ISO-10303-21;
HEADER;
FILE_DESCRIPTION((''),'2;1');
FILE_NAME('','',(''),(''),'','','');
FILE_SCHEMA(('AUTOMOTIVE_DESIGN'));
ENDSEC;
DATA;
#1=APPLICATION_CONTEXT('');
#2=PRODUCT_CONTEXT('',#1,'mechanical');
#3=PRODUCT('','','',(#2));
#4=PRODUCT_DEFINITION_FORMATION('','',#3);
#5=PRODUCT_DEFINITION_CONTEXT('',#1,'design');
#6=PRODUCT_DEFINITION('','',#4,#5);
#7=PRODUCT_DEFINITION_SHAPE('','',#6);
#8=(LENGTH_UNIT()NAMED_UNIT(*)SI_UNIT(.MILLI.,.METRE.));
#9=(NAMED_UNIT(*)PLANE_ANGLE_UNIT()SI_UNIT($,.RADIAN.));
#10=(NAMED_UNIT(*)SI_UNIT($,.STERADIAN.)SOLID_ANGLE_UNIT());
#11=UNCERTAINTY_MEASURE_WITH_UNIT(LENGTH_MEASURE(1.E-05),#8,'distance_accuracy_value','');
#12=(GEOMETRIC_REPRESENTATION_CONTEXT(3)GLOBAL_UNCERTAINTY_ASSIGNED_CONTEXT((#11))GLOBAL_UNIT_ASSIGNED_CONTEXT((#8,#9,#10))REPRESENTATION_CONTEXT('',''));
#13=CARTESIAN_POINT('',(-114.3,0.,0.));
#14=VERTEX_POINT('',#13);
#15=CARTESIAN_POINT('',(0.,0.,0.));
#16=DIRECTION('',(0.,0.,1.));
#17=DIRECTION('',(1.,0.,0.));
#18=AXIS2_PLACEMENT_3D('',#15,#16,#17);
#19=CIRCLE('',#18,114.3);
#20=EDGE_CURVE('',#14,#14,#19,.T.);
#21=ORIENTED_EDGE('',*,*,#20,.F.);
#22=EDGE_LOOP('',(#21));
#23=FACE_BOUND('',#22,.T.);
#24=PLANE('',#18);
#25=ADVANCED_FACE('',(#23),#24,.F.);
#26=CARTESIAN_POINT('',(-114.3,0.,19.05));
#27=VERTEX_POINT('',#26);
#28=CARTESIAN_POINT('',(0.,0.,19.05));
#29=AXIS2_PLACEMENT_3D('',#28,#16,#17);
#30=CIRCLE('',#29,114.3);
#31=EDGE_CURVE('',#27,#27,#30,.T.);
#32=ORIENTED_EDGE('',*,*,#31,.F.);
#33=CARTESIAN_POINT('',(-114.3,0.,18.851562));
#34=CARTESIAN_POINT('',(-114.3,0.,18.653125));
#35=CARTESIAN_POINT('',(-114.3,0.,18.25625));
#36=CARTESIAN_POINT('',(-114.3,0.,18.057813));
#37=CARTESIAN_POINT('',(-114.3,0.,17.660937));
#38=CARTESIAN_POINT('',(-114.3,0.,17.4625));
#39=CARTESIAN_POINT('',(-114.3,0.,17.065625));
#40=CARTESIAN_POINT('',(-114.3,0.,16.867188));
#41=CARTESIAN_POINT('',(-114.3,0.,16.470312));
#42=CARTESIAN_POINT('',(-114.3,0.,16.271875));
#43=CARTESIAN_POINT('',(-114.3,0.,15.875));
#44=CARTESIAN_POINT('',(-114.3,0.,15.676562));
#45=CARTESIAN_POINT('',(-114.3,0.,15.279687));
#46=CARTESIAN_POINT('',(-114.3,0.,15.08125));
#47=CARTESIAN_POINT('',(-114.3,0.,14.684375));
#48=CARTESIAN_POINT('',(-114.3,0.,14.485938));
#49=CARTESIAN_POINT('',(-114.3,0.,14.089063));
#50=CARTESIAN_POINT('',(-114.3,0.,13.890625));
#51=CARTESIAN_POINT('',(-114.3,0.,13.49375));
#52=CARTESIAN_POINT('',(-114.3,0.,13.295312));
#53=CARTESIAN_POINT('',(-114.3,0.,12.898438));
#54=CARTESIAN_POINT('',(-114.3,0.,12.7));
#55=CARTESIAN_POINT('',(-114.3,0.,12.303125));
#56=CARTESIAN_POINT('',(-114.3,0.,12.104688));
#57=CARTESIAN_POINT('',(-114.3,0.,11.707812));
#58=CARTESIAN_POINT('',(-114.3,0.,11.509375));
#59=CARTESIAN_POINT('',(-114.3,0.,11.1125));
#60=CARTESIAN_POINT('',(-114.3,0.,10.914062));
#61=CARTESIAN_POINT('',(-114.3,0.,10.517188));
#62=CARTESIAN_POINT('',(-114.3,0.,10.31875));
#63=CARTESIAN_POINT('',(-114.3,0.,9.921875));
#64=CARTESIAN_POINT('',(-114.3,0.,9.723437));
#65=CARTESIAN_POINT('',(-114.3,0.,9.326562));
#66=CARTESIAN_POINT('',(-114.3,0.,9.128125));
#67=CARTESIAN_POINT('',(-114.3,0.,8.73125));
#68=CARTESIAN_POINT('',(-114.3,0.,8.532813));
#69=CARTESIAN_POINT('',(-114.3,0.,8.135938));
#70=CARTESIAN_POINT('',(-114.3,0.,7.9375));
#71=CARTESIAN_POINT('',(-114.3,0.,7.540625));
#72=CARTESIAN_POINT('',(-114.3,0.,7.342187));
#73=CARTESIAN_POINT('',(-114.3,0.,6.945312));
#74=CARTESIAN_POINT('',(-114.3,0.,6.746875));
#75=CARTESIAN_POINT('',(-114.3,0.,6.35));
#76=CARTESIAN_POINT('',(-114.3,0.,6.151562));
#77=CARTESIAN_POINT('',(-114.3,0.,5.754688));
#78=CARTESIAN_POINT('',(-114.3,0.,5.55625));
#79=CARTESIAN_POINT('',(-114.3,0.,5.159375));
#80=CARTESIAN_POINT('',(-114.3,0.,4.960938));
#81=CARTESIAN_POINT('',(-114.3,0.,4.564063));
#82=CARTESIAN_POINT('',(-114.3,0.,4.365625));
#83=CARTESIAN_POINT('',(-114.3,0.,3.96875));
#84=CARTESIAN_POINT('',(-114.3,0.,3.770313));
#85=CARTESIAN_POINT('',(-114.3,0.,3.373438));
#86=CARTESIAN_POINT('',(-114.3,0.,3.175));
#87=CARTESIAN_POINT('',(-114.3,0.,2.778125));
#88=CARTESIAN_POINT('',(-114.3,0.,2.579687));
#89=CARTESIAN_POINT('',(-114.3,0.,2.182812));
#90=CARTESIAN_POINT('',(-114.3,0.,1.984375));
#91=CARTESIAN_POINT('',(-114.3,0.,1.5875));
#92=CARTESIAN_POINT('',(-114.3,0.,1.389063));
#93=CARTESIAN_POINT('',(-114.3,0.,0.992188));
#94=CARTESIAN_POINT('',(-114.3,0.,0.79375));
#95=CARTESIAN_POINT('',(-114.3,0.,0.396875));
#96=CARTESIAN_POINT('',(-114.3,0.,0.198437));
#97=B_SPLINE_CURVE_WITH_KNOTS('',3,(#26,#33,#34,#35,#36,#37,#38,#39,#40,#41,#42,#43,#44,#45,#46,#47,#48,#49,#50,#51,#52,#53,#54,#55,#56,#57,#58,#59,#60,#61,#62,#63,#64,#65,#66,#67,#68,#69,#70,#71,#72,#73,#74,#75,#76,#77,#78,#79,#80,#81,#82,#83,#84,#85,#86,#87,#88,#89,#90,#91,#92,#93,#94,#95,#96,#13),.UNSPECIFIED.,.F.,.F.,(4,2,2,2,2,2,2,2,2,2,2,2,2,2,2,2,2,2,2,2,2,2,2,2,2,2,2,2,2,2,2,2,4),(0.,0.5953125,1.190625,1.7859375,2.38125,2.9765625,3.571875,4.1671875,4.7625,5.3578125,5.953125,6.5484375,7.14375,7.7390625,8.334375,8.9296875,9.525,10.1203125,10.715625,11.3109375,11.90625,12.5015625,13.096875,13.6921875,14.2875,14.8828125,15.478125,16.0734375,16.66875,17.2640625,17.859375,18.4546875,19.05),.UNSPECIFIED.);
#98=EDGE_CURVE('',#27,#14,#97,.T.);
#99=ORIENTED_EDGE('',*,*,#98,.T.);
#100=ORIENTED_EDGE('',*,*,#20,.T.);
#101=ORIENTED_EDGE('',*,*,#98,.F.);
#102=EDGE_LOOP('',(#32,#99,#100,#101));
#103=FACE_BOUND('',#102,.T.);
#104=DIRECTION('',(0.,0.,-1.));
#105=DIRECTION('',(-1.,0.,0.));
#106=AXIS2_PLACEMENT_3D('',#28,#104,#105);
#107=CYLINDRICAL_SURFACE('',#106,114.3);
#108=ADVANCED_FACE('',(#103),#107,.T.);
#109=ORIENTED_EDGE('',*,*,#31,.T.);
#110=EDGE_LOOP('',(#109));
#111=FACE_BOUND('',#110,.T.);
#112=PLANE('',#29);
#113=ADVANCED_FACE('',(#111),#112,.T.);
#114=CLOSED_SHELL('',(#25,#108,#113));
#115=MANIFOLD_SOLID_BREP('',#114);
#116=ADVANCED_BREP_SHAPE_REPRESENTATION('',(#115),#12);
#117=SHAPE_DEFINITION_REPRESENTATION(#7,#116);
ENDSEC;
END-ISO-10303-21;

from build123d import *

# Parameters (mm, degrees)
SKETCH1_R      = 114.3
EXTRUDE1_DEPTH = 19.05


with BuildPart() as part:
    # Sketch1 → Extrude1 (new body)
    with BuildSketch(Plane.XY):
        with Locations(Location((0, 0, 0), (0, 0, 180))):
            Circle(SKETCH1_R)
    extrude(amount=EXTRUDE1_DEPTH)


solid = part.part
